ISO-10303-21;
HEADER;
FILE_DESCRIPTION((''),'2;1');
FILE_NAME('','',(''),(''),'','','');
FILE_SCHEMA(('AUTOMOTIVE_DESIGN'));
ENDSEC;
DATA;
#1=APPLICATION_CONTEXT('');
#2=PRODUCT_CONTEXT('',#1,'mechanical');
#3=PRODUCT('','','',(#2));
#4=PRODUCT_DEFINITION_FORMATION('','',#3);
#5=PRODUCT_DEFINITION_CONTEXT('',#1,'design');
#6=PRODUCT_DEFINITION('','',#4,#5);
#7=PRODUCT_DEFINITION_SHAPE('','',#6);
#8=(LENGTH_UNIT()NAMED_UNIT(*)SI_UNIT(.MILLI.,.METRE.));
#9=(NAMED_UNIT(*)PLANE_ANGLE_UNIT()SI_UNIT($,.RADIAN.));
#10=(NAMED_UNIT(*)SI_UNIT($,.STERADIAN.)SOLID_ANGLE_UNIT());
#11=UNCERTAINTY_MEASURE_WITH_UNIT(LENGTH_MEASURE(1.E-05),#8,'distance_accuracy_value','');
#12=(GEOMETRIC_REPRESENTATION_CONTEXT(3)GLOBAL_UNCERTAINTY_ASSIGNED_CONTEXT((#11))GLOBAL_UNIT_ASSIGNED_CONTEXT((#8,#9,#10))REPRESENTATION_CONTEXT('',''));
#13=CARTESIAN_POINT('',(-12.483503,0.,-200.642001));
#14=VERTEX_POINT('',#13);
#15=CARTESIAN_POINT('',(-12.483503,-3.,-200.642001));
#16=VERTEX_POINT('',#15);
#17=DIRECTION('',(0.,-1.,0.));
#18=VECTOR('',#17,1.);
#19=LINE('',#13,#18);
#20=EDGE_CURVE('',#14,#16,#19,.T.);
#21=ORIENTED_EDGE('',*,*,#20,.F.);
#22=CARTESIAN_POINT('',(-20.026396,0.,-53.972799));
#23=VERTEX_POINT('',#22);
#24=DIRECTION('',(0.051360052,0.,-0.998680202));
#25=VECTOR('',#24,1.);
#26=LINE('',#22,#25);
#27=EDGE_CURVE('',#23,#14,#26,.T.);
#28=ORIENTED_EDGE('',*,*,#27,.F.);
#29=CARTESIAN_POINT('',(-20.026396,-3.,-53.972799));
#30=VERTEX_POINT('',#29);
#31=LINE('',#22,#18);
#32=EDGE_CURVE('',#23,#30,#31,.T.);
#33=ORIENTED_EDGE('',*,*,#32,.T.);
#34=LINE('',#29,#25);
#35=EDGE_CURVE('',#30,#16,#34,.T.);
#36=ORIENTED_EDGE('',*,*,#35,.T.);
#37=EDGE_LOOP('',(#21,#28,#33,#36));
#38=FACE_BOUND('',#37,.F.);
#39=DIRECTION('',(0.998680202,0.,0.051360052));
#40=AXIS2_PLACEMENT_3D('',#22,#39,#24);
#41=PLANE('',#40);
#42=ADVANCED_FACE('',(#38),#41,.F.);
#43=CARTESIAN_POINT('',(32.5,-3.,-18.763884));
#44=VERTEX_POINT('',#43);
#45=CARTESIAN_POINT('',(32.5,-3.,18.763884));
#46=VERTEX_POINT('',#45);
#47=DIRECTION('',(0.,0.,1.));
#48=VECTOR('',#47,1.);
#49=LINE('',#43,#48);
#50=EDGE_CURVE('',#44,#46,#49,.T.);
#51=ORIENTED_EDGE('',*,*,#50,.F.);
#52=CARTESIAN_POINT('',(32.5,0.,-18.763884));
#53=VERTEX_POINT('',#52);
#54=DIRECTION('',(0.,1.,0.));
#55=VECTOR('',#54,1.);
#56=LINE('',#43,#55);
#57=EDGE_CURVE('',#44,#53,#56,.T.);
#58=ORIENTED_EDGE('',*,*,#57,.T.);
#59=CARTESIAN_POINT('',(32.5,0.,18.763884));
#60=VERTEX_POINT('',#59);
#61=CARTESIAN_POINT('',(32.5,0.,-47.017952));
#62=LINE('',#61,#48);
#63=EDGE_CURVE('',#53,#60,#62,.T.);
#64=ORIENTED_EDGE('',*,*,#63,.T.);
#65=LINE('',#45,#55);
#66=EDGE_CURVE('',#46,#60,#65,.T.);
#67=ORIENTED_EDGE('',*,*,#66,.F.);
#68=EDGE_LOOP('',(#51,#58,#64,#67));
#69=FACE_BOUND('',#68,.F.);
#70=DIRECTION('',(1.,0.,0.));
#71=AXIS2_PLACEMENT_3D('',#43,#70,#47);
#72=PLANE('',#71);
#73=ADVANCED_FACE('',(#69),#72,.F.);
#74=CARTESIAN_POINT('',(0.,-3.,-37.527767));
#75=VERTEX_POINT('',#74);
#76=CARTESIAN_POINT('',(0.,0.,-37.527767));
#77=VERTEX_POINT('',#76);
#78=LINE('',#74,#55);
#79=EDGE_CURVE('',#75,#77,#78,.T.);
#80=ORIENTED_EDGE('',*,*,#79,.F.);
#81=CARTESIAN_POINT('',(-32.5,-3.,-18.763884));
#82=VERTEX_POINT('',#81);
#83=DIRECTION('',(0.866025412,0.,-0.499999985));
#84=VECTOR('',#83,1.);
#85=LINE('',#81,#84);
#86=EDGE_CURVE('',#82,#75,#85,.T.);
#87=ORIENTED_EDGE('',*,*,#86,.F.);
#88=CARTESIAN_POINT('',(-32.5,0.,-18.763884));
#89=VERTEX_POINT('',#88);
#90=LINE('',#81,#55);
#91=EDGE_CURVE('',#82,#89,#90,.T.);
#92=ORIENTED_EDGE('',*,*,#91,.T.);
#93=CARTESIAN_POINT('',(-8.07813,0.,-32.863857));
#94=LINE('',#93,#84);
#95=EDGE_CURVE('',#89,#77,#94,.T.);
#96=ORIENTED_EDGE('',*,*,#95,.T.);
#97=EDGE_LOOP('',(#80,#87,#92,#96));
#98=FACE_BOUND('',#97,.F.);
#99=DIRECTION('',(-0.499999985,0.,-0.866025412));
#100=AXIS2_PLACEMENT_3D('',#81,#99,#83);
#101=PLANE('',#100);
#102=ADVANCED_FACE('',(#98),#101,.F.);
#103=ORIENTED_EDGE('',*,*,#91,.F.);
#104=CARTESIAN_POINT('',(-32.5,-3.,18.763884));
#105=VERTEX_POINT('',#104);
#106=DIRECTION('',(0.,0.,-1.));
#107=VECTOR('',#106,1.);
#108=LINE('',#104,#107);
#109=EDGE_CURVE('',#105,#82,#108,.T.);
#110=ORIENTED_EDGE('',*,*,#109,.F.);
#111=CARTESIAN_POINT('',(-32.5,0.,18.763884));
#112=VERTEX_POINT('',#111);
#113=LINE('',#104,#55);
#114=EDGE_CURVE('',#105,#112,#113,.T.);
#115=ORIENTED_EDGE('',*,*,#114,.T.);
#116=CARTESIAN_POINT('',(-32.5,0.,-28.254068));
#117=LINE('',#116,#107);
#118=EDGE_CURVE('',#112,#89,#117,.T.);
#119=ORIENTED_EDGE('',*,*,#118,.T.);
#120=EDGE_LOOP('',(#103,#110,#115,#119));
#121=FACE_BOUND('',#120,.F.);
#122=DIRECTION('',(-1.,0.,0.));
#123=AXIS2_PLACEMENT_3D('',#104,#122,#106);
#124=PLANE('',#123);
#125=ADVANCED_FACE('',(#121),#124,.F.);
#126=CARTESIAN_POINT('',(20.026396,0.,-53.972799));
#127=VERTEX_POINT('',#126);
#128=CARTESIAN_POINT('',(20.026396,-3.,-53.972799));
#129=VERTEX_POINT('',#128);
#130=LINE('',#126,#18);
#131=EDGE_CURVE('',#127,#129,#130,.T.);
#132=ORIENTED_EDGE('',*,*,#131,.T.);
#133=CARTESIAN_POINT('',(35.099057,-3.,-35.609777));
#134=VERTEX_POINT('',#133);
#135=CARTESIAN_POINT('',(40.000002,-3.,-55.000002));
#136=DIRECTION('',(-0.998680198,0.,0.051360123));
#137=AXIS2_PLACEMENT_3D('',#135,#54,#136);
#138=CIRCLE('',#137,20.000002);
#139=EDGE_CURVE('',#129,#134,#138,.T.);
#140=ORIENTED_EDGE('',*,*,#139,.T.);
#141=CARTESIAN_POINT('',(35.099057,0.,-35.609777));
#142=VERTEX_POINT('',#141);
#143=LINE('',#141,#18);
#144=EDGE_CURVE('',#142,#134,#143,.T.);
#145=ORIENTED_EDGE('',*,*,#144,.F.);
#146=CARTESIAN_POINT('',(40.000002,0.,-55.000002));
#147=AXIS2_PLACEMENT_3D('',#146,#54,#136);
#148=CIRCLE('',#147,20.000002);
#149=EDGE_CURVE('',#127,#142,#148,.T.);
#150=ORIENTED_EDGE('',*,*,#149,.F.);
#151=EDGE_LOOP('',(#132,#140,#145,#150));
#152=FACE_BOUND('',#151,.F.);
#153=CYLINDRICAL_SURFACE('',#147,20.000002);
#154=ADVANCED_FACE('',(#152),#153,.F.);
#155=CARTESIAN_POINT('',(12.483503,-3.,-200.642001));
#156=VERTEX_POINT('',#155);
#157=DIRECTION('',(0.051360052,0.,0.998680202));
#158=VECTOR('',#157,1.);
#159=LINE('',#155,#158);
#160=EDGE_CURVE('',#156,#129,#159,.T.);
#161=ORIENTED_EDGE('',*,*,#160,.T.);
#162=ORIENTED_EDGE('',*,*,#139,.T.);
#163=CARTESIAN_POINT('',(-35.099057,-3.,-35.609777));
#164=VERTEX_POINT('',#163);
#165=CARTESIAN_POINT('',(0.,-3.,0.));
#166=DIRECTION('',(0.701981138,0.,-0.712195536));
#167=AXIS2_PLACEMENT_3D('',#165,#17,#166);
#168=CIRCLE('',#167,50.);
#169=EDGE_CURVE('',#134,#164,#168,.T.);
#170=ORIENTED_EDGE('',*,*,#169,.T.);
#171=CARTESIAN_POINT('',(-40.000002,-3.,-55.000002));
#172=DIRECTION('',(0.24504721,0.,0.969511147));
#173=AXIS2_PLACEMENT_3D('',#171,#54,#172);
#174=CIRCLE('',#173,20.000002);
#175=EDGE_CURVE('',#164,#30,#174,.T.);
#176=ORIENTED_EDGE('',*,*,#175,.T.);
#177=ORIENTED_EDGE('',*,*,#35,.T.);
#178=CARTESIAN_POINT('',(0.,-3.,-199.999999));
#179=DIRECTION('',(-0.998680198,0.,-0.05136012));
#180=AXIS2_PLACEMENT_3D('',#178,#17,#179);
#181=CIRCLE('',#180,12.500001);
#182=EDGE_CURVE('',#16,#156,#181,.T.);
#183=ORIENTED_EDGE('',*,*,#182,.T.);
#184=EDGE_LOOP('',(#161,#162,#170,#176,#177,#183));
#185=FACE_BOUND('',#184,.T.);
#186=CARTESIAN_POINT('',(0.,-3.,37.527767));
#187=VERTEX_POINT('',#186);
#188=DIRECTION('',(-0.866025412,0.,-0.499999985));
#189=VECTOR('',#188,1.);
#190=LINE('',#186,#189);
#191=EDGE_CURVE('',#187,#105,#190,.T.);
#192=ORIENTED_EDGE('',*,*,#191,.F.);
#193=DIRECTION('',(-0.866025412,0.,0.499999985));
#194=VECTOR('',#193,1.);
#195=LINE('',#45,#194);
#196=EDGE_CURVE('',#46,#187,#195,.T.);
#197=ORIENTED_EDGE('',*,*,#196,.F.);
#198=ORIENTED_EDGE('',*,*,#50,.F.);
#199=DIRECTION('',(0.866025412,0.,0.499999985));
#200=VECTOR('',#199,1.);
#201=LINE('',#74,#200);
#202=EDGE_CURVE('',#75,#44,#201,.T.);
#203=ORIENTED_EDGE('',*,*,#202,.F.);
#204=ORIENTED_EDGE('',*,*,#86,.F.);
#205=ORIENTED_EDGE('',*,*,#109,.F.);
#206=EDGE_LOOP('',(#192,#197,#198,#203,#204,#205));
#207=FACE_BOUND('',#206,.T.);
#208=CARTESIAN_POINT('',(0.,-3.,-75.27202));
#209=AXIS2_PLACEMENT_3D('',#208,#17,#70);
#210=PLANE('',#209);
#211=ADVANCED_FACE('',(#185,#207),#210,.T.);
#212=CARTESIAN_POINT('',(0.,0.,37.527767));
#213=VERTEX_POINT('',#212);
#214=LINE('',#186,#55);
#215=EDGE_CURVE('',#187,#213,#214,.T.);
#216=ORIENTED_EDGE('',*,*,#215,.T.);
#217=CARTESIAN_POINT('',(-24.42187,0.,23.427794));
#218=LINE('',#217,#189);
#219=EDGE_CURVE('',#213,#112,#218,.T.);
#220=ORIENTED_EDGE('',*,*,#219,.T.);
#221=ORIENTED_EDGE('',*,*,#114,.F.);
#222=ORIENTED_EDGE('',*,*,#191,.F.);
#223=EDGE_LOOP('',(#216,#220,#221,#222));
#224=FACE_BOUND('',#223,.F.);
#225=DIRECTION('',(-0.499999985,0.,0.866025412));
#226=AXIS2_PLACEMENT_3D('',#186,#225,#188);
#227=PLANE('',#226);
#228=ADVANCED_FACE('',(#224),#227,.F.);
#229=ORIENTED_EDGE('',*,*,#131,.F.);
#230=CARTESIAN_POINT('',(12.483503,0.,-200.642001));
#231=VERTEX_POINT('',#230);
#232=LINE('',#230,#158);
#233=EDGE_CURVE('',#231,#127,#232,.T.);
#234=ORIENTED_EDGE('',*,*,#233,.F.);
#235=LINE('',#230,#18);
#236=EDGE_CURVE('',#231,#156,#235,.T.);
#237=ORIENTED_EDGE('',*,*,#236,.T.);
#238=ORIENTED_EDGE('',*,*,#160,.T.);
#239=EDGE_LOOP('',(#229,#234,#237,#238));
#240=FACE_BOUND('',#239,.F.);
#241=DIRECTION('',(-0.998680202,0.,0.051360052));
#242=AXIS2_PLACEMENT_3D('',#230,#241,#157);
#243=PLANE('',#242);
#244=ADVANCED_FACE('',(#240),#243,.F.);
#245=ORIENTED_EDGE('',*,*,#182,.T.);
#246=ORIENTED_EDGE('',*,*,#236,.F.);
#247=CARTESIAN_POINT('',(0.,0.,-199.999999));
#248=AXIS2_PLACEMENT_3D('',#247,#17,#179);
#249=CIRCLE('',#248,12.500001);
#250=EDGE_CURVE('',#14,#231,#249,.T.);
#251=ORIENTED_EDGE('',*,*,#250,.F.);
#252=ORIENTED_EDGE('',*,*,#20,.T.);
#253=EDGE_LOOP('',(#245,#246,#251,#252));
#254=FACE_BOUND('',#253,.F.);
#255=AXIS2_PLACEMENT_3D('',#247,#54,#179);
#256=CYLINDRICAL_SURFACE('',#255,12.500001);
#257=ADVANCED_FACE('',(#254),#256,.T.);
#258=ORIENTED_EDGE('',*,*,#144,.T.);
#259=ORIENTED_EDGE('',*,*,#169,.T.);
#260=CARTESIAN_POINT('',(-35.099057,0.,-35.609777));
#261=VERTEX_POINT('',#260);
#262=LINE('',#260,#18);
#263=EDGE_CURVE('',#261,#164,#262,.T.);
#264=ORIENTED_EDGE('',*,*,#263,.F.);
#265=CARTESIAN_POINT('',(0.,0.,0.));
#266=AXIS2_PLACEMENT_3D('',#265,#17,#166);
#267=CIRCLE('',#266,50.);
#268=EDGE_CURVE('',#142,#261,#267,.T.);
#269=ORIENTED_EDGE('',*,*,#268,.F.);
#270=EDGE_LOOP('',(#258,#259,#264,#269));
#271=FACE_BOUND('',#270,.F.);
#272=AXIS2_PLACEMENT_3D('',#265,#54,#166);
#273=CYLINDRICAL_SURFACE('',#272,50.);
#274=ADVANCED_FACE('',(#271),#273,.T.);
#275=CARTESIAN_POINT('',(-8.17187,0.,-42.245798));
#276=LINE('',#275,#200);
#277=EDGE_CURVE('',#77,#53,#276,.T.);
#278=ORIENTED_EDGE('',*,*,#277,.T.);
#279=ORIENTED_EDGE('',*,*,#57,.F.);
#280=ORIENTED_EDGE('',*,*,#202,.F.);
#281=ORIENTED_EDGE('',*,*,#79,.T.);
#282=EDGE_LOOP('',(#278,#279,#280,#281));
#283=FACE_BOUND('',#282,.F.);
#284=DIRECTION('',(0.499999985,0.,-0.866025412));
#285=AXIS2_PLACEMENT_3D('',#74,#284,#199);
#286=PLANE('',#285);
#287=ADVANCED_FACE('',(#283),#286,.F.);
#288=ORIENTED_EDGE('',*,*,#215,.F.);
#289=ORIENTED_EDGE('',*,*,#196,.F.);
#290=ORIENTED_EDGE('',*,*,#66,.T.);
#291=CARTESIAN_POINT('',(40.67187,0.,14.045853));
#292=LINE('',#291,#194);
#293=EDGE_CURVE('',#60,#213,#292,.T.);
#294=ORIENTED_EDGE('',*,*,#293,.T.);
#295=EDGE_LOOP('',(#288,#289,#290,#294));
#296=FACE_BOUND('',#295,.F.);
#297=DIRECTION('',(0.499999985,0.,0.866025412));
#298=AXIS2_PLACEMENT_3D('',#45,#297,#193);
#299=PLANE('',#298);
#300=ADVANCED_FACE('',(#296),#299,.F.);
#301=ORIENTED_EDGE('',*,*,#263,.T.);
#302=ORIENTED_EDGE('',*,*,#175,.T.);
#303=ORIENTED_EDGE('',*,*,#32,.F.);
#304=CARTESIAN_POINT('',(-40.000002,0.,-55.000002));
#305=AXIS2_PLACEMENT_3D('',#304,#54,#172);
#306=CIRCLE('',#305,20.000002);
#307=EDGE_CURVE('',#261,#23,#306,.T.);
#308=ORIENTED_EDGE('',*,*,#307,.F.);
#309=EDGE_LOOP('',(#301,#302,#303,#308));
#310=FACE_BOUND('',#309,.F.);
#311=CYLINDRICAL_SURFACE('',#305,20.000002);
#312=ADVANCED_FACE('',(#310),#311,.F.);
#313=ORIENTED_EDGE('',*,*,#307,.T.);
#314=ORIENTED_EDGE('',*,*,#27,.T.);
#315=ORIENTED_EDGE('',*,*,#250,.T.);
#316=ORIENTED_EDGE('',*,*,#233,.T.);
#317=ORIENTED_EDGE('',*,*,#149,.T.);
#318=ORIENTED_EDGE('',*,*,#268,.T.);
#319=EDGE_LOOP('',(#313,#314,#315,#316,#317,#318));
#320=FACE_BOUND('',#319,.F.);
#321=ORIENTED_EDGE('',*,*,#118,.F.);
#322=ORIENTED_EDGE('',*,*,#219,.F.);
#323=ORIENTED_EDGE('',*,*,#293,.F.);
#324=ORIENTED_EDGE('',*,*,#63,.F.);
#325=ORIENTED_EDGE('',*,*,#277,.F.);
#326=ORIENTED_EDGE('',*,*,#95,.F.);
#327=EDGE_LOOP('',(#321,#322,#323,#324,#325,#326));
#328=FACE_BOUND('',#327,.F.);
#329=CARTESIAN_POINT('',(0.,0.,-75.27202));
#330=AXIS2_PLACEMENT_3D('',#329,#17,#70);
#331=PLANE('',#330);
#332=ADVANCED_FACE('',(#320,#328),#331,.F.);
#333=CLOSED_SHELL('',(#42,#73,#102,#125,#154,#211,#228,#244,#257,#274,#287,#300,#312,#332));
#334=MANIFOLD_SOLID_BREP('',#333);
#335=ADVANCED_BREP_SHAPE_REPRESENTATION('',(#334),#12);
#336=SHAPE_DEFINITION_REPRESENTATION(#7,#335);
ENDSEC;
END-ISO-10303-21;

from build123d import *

# Parameters (mm, degrees)
F1_DEPTH = 3
F3_DEPTH = 25


with BuildPart() as f1:
    # F0 (on Front) → F1 (new body)
    with BuildSketch(Plane.XZ):
        with BuildLine():
            ThreePointArc((20.026396, -53.972799), (24.540831, -42.310868), (35.099057, -35.609777))
            ThreePointArc((35.099057, -35.609777), (0, 50), (-35.099057, -35.609777))
            ThreePointArc((-35.099057, -35.609777), (-24.540831, -42.310868), (-20.026396, -53.972799))
            Line((-20.026396, -53.972799), (-12.483503, -200.642001))
            ThreePointArc((-12.483503, -200.642001), (0, -212.5), (12.483503, -200.642001))
            Line((12.483503, -200.642001), (20.026396, -53.972799))
        make_face()
    extrude(amount=F1_DEPTH)

    # F2 (on face) → F3 (cut)
    with BuildSketch(Plane.XZ.offset(3)):
        Polygon((-32.5, 18.763884), (-32.5, -18.763884), (0, -37.527767), (32.5, -18.763884), (32.5, 18.763884), (0, 37.527767), align=None)
    extrude(amount=-F3_DEPTH, mode=Mode.SUBTRACT)


solid = f1.part
